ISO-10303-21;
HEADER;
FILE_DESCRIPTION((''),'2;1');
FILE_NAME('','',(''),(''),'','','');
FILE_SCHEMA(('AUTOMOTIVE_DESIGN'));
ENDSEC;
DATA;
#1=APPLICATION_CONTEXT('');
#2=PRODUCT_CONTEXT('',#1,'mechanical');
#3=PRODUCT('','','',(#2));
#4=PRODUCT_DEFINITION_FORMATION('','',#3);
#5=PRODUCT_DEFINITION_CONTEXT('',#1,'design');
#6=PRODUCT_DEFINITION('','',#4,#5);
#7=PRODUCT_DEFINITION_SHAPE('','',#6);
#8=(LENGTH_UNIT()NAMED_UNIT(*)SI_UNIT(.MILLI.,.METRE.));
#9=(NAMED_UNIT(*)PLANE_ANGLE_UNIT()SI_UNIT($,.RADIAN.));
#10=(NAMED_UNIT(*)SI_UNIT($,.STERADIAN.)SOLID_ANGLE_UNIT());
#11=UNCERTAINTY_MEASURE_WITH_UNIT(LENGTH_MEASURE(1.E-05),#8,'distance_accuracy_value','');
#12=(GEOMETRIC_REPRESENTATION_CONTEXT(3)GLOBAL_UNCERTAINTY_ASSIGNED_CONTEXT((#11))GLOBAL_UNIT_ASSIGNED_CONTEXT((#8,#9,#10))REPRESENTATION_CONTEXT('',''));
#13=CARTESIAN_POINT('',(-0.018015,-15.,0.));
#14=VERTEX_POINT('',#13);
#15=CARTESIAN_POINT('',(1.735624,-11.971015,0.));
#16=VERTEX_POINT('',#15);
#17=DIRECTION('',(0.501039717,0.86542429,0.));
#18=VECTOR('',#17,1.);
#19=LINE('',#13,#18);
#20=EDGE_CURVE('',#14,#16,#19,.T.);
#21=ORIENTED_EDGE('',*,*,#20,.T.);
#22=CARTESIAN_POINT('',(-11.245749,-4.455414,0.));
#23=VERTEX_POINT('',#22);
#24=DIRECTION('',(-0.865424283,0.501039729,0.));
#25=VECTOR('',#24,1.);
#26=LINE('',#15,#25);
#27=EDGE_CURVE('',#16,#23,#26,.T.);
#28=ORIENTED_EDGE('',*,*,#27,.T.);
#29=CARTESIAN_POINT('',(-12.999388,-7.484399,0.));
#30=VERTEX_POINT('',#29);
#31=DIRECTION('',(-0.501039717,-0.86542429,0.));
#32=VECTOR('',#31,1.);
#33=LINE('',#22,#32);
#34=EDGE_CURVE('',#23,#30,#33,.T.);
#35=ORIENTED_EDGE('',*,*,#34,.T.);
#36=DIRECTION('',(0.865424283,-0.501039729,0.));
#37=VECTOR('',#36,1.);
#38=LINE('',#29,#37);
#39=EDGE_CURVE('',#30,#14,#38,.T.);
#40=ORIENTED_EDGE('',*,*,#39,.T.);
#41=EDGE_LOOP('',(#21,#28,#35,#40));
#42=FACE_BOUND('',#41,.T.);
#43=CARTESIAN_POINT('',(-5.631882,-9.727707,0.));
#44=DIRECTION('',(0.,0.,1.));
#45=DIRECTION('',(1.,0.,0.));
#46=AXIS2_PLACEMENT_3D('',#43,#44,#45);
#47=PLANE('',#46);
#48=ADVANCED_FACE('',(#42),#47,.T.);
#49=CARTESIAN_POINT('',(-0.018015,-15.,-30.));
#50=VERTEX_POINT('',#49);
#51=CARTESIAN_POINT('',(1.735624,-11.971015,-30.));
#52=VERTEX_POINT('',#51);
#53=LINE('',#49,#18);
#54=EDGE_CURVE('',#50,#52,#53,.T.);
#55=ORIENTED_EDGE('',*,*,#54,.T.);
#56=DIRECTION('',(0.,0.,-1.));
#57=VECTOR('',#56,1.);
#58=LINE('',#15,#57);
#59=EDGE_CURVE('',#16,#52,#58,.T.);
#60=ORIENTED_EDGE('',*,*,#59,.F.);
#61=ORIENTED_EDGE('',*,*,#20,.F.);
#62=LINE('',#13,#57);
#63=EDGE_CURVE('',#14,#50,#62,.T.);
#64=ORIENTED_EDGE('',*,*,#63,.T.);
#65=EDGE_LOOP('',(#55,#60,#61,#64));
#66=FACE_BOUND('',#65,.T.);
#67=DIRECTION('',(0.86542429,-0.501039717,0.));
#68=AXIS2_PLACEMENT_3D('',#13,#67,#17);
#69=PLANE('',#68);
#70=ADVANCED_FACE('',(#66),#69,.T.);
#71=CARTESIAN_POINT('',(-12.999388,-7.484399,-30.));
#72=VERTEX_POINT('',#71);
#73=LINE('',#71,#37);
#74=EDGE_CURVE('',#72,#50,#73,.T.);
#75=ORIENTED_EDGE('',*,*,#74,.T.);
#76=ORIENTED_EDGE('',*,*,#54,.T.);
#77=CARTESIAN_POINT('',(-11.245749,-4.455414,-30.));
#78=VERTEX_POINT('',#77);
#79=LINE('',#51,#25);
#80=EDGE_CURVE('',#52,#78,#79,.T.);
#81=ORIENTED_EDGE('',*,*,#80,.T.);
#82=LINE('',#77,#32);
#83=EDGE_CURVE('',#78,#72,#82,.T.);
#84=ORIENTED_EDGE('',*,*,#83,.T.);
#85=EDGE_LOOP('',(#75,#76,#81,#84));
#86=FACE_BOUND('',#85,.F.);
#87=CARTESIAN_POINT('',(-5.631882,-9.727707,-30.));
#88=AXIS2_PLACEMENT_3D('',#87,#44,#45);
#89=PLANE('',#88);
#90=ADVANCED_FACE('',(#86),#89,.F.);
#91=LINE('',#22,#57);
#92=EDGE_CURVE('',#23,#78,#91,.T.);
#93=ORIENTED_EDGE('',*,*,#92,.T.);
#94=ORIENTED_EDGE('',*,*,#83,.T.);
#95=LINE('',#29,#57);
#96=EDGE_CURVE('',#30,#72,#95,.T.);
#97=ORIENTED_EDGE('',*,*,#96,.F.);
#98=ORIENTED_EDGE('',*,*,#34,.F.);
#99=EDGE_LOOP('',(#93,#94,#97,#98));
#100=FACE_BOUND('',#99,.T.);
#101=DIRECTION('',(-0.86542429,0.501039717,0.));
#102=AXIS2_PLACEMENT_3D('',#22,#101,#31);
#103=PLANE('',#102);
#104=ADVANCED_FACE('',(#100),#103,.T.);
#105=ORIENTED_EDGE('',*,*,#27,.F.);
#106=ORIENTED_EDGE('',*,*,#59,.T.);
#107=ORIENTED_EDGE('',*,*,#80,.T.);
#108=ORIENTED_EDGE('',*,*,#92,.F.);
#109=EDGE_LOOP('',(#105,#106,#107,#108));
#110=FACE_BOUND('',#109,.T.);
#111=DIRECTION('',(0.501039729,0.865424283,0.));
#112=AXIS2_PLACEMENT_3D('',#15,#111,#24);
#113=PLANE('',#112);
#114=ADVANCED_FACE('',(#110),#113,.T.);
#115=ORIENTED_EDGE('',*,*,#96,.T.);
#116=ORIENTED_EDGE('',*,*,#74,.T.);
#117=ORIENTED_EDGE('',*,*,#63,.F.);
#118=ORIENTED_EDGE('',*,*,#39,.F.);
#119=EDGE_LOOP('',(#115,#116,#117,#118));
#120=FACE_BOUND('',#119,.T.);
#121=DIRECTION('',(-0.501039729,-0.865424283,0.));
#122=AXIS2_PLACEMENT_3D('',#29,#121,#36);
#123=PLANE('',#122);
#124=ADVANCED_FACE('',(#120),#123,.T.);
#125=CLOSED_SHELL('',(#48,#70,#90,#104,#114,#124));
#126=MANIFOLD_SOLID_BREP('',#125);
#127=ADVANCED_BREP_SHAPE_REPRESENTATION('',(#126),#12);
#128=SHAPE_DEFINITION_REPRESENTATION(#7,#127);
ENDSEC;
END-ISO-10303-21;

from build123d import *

# Parameters (mm, degrees)
F1_DEPTH = 30


with BuildPart() as f1:
    # F0 (on Top) → F1 (new body)
    with BuildSketch(Plane.XY):
        Polygon((-12.999388, -7.484399), (-0.018015, -15), (1.735624, -11.971015), (-11.245749, -4.455414), align=None)
    extrude(amount=-F1_DEPTH)


solid = f1.part
